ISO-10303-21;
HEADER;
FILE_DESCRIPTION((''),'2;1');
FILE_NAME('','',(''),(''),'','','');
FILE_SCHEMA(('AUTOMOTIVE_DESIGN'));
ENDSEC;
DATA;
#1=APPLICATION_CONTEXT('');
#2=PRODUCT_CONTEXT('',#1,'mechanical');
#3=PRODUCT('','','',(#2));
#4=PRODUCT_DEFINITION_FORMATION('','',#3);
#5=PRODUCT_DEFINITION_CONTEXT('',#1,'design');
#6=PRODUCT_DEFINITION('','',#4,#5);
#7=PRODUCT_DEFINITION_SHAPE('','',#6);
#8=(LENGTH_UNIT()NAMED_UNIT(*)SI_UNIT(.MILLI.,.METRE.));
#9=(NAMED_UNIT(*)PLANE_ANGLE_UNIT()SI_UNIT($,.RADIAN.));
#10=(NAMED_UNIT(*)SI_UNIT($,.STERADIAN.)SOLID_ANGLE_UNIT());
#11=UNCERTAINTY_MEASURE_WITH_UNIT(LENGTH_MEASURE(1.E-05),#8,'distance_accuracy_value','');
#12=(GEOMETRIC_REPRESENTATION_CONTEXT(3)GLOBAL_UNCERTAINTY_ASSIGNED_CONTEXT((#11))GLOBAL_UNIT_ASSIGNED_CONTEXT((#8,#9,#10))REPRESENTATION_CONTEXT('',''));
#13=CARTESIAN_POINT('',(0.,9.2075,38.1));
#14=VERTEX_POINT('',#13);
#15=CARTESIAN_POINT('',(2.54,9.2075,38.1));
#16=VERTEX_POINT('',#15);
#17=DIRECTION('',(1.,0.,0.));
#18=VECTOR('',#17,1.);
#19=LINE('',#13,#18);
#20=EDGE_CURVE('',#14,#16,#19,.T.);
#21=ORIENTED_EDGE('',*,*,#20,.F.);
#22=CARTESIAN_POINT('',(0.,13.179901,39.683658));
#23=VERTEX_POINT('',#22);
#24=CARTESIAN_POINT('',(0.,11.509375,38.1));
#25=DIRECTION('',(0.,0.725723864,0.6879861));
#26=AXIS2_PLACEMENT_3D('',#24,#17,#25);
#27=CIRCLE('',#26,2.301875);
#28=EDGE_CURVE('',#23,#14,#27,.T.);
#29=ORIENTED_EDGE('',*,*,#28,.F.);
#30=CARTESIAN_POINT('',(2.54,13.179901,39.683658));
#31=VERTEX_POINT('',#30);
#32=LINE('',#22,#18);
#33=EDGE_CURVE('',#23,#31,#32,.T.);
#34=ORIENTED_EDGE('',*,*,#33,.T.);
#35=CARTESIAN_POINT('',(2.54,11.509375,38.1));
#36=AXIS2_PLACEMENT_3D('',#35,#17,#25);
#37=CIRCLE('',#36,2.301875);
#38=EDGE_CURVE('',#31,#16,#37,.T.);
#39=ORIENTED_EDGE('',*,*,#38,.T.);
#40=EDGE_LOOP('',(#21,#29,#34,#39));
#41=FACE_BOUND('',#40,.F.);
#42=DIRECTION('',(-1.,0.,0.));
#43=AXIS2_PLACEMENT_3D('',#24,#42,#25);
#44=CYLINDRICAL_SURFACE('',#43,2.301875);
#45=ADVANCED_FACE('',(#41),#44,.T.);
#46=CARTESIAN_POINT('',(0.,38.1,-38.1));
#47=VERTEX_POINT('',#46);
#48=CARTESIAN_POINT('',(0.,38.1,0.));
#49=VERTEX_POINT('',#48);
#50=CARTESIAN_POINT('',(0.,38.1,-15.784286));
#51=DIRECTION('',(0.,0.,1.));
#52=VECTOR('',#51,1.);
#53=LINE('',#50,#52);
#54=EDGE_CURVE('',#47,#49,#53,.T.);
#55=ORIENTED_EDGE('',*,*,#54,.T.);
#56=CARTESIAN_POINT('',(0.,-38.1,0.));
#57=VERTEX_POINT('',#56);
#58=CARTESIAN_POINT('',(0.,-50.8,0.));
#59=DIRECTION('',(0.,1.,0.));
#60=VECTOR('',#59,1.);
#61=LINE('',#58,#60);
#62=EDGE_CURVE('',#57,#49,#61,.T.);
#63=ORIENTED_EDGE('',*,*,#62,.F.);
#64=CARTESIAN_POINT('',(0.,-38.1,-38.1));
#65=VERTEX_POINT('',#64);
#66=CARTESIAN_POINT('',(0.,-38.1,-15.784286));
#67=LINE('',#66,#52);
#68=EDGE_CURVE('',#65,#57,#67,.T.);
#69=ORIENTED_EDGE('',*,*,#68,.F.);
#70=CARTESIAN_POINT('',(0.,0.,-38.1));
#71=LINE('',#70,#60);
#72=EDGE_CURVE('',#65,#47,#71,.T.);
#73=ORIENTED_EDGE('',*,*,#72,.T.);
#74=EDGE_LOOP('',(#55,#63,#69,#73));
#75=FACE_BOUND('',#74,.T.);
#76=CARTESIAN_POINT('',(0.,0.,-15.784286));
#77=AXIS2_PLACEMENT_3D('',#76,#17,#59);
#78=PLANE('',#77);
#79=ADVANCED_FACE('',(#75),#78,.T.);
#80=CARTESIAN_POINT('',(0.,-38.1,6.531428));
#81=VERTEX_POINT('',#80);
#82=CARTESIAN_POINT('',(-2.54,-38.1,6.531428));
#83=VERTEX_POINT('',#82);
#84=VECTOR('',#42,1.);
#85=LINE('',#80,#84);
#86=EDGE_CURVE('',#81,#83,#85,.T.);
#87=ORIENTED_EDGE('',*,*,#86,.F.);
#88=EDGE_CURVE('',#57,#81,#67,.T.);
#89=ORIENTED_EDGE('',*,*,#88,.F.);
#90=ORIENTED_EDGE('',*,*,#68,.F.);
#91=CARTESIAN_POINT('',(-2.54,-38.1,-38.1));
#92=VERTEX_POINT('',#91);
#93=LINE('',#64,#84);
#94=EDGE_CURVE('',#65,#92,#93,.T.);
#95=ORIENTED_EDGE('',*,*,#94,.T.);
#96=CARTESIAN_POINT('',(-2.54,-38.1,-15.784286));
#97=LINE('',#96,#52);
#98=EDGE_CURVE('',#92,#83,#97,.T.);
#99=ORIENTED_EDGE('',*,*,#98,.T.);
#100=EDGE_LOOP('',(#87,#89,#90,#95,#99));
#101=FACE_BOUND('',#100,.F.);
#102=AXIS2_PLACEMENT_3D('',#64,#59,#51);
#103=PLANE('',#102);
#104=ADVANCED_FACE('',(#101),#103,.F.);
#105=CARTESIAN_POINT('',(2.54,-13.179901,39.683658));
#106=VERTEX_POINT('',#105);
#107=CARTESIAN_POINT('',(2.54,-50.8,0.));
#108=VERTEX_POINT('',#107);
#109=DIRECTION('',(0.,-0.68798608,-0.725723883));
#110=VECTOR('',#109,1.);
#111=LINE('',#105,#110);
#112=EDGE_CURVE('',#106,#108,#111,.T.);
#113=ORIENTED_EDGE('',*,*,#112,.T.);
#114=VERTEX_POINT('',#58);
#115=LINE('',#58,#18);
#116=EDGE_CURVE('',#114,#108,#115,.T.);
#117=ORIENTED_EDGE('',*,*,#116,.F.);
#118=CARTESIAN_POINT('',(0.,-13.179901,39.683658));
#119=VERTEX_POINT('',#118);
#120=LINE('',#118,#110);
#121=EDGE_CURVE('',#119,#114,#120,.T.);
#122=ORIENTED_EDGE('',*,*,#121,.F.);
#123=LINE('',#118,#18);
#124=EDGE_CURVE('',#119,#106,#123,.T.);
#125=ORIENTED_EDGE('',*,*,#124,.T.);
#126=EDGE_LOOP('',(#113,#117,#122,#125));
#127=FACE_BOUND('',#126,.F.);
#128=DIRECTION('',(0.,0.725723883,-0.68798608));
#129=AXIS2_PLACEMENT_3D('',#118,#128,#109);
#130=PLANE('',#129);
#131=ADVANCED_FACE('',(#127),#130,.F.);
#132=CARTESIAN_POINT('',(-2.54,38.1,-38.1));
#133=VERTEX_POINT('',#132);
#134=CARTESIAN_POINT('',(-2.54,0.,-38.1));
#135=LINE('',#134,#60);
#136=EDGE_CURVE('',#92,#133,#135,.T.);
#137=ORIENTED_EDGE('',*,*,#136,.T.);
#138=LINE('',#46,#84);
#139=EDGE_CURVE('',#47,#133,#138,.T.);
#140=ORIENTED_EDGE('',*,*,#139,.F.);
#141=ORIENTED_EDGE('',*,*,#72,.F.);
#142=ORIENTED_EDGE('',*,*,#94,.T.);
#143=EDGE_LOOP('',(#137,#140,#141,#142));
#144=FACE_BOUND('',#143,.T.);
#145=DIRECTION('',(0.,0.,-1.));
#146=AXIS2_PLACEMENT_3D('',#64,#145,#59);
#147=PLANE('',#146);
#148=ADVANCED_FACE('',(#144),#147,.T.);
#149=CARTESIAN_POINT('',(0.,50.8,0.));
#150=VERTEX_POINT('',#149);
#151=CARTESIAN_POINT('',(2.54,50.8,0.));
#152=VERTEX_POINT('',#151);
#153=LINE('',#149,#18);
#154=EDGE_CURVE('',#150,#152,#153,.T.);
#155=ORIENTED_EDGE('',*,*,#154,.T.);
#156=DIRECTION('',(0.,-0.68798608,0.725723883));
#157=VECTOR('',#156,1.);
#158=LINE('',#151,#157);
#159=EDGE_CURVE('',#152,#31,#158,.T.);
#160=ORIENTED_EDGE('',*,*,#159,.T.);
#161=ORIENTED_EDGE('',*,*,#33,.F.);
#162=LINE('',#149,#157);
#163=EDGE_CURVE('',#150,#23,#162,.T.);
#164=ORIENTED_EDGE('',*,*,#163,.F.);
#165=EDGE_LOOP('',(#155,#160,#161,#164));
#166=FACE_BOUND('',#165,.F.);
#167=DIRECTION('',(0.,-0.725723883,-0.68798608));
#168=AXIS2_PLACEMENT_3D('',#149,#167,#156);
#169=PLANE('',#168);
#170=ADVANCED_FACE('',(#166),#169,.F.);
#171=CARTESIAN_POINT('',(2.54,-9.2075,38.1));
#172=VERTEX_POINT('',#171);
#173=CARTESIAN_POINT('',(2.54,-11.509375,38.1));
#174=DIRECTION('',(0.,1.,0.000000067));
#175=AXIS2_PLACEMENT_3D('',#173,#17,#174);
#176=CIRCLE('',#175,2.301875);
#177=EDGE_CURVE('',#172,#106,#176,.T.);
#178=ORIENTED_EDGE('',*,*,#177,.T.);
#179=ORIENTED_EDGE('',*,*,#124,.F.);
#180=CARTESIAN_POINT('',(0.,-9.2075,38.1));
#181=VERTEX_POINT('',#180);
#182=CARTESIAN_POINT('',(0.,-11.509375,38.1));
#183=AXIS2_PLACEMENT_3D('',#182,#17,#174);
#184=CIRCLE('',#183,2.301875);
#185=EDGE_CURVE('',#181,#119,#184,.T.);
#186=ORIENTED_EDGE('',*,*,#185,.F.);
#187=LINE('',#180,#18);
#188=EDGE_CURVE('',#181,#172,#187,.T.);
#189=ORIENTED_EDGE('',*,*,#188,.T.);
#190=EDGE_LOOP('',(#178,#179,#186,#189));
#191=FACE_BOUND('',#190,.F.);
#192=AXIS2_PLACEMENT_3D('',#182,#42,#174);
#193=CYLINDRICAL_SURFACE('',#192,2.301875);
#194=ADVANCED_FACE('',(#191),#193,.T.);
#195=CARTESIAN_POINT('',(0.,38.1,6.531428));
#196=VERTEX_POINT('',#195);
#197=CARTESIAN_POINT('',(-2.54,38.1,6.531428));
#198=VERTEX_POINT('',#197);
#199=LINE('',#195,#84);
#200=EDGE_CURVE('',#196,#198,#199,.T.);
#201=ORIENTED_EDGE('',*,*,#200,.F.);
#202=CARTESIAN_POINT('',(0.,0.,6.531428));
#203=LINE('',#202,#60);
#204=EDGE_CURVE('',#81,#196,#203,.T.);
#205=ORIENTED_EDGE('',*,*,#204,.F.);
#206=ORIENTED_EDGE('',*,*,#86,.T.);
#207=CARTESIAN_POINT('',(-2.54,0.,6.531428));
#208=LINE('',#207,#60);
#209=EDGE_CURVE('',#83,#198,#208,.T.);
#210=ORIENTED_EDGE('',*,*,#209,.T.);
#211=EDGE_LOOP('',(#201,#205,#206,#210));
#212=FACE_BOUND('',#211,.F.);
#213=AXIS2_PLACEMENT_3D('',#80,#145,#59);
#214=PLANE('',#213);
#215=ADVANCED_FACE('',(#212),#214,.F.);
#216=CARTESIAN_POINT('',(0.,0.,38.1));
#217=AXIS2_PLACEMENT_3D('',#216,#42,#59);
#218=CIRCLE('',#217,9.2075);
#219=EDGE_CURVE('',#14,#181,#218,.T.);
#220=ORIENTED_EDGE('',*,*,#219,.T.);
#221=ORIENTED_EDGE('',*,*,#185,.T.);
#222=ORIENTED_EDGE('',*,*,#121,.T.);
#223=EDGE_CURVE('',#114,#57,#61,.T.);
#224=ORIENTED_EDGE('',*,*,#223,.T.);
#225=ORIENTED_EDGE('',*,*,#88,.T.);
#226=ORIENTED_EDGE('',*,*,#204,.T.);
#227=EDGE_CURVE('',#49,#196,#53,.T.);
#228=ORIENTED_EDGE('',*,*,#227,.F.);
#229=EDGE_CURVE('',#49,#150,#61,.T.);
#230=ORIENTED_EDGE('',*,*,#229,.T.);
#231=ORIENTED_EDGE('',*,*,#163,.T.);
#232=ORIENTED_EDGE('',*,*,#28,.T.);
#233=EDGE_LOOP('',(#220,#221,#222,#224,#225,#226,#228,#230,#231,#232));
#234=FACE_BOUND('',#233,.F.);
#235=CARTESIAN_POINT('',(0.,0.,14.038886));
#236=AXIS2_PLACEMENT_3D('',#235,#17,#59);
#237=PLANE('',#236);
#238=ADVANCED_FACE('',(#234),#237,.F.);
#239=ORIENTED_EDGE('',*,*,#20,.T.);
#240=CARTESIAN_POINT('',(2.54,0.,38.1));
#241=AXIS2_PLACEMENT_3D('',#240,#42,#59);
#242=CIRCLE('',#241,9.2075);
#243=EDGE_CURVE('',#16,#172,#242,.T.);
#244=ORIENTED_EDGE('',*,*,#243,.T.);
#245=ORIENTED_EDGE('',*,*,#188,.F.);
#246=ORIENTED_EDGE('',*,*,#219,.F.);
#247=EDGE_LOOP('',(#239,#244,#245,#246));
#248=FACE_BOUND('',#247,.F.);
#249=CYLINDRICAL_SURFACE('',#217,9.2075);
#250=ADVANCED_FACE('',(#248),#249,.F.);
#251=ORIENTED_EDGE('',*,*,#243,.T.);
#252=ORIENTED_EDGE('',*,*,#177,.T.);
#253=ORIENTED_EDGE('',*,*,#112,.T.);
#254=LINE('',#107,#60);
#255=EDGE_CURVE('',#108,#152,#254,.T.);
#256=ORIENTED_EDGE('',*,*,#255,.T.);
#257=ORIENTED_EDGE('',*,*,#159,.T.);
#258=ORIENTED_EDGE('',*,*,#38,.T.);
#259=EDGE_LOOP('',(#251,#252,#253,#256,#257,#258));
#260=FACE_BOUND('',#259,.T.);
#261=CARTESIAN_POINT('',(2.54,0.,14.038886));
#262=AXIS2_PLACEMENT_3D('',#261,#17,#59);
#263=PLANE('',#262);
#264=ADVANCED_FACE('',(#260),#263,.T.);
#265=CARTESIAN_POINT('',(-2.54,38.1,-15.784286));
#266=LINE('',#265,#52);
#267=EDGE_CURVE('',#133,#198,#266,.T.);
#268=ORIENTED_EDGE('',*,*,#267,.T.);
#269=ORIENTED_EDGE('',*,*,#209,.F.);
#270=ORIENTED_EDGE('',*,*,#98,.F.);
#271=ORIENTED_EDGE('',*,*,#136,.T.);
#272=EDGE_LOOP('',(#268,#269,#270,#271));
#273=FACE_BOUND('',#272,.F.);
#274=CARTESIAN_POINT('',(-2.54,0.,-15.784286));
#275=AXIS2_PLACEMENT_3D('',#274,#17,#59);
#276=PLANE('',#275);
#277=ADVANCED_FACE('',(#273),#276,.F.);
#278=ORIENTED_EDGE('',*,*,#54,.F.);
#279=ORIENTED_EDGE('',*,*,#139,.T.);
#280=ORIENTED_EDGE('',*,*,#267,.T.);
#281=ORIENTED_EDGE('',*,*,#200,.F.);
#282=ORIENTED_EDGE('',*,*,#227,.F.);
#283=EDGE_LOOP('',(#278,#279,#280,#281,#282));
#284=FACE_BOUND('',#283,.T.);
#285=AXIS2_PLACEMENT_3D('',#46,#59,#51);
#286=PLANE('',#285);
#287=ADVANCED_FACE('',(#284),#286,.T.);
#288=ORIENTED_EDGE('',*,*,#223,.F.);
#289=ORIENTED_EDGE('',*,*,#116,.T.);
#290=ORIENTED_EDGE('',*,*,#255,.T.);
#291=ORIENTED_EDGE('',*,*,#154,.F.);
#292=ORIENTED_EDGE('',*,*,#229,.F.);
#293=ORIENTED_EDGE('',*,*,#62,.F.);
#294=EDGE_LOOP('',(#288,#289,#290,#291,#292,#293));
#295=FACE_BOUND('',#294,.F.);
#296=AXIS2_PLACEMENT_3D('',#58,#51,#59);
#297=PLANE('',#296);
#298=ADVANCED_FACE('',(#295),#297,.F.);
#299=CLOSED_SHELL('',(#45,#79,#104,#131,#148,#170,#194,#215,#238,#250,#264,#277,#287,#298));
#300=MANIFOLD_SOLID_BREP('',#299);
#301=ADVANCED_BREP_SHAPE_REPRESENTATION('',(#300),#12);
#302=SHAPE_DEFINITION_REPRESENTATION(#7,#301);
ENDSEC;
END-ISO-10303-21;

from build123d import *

# Parameters (mm, degrees)
F1_DEPTH = 2.54
F2_W     = 76.2
F2_H     = 44.631428
F3_DEPTH = 2.54


with BuildPart() as f1:
    # F0 (on Right) → F1 (new body)
    with BuildSketch(Plane.YZ):
        with BuildLine():
            Line((-13.179901, 39.683658), (-50.8, 0))
            Line((-50.8, 0), (50.8, 0))
            Line((50.8, 0), (13.179901, 39.683658))
            ThreePointArc((13.179901, 39.683658), (10.656941, 40.23822), (9.2075, 38.1))
            ThreePointArc((9.2075, 38.1), (0, 28.8925), (-9.2075, 38.1))
            ThreePointArc((-9.2075, 38.1), (-10.656941, 40.23822), (-13.179901, 39.683658))
        make_face()
    extrude(amount=F1_DEPTH)

    # F2 (on Right) → F3 (join)
    with BuildSketch(Plane.YZ):
        with Locations((0, -15.784286)):
            Rectangle(F2_W, F2_H)
    extrude(amount=-F3_DEPTH)


solid = f1.part
